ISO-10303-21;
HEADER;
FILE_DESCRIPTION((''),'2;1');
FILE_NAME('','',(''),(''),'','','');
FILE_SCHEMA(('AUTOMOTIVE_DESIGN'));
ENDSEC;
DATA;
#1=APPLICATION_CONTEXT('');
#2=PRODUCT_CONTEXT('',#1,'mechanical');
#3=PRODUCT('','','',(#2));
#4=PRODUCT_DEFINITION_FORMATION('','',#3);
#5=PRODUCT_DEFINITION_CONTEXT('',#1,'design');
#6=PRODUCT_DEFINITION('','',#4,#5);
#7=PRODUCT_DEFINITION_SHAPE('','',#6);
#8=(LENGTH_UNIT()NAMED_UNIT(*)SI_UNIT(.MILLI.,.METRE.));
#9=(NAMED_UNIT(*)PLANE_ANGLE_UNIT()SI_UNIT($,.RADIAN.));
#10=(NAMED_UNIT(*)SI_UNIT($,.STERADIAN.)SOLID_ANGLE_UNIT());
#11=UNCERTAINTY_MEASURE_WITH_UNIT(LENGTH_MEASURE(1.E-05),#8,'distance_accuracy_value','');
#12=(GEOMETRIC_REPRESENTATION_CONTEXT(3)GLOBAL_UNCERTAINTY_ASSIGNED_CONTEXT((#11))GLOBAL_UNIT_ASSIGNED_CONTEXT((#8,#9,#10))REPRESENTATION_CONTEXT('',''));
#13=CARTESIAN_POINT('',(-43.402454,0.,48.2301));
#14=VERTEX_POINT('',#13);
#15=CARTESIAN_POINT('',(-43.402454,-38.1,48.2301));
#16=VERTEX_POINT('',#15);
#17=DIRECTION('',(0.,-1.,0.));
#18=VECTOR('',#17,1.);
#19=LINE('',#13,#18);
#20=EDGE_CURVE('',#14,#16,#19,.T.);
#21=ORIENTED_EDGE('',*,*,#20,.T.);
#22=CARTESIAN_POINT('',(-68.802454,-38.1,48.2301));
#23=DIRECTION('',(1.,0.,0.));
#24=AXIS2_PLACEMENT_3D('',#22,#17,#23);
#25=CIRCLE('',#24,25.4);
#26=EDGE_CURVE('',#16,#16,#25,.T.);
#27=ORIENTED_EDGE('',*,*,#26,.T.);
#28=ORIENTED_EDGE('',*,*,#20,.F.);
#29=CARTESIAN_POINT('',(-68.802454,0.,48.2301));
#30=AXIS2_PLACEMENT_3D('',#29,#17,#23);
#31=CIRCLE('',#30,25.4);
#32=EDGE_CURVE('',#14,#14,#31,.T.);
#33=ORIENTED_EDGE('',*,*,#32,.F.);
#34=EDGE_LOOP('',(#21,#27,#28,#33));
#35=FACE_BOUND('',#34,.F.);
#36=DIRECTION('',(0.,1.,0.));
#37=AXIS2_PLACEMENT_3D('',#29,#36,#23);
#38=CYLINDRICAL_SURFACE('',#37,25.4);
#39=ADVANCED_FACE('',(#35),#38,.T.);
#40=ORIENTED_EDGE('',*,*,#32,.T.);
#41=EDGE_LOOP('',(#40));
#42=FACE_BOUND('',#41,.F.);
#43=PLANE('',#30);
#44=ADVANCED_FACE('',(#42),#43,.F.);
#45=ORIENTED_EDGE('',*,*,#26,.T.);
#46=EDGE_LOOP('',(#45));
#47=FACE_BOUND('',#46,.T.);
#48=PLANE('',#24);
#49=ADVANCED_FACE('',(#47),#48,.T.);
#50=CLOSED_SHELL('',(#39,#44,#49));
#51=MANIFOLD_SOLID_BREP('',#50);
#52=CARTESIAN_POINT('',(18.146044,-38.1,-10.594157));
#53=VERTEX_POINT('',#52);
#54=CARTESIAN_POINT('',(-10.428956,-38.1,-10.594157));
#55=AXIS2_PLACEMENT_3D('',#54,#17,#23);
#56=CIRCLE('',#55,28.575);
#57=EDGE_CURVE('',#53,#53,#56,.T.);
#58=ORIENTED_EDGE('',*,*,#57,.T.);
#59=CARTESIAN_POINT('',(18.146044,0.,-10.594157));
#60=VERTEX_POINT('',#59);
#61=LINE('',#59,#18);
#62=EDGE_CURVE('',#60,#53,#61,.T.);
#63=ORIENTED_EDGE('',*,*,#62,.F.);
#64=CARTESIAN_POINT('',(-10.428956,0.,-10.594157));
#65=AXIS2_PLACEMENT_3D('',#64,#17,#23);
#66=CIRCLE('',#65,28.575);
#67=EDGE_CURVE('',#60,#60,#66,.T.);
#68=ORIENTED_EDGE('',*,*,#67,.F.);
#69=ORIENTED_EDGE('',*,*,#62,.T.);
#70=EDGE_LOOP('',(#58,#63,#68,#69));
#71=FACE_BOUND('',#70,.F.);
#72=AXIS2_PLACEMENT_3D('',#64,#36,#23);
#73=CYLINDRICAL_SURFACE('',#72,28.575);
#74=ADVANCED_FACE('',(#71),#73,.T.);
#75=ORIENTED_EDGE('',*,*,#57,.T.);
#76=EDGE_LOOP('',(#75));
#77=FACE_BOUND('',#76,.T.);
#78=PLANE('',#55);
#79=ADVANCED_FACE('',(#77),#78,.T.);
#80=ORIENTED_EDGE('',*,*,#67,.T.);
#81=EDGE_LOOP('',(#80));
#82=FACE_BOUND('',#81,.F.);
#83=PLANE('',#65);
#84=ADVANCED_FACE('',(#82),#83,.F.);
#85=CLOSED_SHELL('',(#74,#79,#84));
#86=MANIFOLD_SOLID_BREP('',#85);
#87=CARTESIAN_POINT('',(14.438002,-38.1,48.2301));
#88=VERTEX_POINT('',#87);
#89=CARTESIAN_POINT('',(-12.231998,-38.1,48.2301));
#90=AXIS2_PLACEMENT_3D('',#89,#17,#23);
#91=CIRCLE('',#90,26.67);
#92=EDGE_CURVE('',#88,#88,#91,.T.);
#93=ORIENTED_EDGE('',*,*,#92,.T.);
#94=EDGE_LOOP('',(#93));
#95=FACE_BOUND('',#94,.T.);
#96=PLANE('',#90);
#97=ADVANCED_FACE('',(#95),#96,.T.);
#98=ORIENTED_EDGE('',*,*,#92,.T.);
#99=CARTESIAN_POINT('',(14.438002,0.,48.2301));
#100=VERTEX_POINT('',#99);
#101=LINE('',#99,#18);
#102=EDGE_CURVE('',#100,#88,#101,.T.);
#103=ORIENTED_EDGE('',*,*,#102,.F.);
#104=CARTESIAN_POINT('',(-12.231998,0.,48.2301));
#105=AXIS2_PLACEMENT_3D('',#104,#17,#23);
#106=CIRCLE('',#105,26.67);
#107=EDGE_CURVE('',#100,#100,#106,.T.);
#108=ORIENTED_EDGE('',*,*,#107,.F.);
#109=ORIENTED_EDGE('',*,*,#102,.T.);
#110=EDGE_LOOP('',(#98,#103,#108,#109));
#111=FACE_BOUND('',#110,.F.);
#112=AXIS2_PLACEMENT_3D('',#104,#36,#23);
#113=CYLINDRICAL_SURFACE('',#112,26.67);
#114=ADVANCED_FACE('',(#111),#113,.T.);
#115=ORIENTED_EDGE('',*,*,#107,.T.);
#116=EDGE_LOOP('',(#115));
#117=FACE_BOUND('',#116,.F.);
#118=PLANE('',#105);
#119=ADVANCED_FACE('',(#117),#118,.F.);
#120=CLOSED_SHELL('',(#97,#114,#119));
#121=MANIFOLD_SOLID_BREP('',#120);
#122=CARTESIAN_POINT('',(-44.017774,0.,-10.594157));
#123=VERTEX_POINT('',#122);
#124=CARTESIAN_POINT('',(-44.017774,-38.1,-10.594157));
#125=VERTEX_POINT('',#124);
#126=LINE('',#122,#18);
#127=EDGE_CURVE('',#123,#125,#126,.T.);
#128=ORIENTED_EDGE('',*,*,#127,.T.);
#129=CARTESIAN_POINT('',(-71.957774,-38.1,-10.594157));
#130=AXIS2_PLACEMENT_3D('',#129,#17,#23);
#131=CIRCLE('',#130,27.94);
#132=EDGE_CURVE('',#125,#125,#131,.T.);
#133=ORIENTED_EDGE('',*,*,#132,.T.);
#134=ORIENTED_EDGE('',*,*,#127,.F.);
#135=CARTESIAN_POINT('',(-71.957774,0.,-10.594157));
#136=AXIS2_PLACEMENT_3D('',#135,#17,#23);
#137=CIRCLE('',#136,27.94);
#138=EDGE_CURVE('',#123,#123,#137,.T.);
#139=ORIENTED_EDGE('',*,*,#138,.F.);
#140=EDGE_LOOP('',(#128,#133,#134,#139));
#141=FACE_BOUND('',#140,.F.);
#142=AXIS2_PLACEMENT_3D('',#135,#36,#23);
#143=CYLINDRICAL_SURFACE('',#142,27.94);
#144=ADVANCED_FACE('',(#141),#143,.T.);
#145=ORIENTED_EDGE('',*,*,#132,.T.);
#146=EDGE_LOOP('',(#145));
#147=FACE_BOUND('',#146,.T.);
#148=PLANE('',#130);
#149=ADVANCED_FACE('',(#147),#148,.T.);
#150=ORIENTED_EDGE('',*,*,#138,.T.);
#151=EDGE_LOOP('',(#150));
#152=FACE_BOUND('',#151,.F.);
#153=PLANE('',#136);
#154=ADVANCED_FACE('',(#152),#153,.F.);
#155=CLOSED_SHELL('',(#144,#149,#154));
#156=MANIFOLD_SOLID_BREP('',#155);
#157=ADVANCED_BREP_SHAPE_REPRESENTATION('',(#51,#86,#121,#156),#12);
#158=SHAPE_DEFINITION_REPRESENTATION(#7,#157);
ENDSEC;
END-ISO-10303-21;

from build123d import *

# Parameters (mm, degrees)
F0_R     = 25.4
F0_R_2   = 26.67
F0_R_3   = 27.94
F0_R_4   = 28.575
F1_DEPTH = 38.1


with BuildPart() as f1:
    # F0 (on Front) → F1 (new body)
    with BuildSketch(Plane.XZ):
        with Locations((-68.802454, 48.2301)):
            Circle(F0_R)
        with Locations((-12.231998, 48.2301)):
            Circle(F0_R_2)
        with Locations((-71.957774, -10.594157)):
            Circle(F0_R_3)
        with Locations((-10.428956, -10.594157)):
            Circle(F0_R_4)
    extrude(amount=F1_DEPTH)


solid = f1.part
